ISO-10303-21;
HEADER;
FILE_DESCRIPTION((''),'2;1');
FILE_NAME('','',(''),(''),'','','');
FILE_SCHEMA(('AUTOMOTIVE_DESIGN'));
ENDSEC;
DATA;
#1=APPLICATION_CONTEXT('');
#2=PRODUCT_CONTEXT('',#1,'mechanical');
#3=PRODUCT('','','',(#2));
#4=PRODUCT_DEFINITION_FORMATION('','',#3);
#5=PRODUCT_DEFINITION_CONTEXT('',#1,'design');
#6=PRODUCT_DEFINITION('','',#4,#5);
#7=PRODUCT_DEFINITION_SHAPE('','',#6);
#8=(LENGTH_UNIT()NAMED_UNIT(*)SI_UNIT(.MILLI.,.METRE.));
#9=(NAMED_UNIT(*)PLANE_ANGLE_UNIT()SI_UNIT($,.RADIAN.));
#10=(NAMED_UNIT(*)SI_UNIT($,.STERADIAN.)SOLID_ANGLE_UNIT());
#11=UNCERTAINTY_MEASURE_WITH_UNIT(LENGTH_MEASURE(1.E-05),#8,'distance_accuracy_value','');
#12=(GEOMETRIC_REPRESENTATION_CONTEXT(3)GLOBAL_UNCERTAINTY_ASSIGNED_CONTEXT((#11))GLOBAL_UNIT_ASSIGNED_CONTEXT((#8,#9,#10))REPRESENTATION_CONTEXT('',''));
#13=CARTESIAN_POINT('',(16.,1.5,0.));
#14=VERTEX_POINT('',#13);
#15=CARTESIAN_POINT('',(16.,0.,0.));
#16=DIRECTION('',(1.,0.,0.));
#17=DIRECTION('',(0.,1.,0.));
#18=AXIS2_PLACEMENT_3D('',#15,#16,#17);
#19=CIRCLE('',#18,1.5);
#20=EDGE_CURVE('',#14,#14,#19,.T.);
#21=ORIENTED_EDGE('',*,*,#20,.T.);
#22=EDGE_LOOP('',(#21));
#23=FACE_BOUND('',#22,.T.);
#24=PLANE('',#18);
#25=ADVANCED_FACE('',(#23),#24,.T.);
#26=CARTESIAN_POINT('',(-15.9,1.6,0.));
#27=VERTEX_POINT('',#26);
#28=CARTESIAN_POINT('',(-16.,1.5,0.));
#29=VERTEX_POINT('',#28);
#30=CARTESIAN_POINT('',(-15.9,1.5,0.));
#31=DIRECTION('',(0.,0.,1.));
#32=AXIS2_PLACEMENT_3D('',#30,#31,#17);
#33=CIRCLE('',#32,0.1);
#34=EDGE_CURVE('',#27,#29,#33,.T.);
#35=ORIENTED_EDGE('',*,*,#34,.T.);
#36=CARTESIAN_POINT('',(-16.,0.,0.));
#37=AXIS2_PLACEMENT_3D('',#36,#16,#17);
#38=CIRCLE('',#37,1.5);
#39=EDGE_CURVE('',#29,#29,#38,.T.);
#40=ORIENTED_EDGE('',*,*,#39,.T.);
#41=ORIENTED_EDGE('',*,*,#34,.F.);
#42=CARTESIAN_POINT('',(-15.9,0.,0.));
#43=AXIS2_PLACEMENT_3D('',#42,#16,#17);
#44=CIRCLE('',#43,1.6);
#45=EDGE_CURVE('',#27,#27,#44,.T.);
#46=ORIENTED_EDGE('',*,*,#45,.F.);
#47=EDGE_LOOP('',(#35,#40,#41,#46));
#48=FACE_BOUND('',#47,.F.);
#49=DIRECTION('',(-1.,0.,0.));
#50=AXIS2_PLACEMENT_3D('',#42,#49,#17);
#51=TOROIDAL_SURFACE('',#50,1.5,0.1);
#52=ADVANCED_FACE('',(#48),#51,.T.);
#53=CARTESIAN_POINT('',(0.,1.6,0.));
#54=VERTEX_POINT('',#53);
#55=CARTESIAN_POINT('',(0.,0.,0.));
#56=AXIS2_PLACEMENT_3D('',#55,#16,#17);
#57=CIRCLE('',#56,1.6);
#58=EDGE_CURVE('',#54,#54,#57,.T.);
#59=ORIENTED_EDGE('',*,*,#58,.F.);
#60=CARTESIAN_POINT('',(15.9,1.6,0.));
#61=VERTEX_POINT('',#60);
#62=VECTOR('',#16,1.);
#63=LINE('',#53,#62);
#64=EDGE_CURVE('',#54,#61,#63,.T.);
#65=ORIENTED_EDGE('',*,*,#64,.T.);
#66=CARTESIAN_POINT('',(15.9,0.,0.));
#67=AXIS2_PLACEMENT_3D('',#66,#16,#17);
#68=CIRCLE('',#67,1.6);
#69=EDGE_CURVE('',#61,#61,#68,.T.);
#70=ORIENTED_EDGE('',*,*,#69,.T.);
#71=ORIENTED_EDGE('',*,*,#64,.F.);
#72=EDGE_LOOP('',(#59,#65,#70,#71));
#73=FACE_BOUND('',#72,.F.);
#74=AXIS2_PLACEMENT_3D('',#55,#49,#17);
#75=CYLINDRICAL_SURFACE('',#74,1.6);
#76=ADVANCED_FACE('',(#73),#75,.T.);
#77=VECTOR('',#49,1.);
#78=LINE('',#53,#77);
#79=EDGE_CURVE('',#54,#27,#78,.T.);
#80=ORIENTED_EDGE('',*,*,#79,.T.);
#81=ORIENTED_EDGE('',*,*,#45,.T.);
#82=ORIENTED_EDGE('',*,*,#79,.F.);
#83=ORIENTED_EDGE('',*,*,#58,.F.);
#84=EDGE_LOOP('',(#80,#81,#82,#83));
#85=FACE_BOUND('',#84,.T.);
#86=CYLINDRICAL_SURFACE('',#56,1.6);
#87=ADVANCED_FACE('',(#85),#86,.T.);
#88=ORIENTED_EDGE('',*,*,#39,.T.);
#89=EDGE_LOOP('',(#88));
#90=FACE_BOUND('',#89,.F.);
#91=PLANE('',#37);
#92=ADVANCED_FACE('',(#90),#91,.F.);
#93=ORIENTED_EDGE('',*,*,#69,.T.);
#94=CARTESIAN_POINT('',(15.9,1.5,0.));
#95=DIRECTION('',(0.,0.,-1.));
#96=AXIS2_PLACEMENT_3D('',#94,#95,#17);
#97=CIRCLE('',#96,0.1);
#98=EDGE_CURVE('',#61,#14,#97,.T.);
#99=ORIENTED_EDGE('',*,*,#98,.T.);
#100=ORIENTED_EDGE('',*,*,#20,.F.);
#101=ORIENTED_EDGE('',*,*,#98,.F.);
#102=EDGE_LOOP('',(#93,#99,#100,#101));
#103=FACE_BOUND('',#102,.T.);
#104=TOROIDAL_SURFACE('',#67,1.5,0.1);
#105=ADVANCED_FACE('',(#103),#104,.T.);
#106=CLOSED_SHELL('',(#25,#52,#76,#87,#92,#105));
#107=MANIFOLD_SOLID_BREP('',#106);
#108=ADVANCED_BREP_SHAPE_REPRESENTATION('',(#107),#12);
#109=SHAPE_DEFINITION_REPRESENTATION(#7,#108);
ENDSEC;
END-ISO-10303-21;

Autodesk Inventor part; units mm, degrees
ref_plane "YZ Plane" through (0, 0, 0) normal (1, 0, 0) x (0, 1, 0)
ref_plane "XZ Plane" through (0, 0, 0) normal (0, 1, 0) x (-1, 0, 0)
ref_plane "XY Plane" through (0, 0, 0) normal (0, 0, 1) x (1, 0, 0)
sketch "Sketch1" plane through (0, 0, 0) normal (1, 0, 0) x (0, 1, 0)
  circle A0 centre (0, 0) radius 1.6
  dimension "d26" = 3.2
extrude "Extrusion7" add sketch "Sketch1" along normal mid plane 32
fillet "Fillet2" radius 0.1 2 edges at (16, -1.6, 0) (-16, -1.6, 0)
equation "\"d26\" = rd"
equation "\"d27\" = 4 * lu"
equation "\"rd\" = 3.2"
equation "\"lu\" = 8"
properties part number "21462-Red" material "ABS Plastic"
